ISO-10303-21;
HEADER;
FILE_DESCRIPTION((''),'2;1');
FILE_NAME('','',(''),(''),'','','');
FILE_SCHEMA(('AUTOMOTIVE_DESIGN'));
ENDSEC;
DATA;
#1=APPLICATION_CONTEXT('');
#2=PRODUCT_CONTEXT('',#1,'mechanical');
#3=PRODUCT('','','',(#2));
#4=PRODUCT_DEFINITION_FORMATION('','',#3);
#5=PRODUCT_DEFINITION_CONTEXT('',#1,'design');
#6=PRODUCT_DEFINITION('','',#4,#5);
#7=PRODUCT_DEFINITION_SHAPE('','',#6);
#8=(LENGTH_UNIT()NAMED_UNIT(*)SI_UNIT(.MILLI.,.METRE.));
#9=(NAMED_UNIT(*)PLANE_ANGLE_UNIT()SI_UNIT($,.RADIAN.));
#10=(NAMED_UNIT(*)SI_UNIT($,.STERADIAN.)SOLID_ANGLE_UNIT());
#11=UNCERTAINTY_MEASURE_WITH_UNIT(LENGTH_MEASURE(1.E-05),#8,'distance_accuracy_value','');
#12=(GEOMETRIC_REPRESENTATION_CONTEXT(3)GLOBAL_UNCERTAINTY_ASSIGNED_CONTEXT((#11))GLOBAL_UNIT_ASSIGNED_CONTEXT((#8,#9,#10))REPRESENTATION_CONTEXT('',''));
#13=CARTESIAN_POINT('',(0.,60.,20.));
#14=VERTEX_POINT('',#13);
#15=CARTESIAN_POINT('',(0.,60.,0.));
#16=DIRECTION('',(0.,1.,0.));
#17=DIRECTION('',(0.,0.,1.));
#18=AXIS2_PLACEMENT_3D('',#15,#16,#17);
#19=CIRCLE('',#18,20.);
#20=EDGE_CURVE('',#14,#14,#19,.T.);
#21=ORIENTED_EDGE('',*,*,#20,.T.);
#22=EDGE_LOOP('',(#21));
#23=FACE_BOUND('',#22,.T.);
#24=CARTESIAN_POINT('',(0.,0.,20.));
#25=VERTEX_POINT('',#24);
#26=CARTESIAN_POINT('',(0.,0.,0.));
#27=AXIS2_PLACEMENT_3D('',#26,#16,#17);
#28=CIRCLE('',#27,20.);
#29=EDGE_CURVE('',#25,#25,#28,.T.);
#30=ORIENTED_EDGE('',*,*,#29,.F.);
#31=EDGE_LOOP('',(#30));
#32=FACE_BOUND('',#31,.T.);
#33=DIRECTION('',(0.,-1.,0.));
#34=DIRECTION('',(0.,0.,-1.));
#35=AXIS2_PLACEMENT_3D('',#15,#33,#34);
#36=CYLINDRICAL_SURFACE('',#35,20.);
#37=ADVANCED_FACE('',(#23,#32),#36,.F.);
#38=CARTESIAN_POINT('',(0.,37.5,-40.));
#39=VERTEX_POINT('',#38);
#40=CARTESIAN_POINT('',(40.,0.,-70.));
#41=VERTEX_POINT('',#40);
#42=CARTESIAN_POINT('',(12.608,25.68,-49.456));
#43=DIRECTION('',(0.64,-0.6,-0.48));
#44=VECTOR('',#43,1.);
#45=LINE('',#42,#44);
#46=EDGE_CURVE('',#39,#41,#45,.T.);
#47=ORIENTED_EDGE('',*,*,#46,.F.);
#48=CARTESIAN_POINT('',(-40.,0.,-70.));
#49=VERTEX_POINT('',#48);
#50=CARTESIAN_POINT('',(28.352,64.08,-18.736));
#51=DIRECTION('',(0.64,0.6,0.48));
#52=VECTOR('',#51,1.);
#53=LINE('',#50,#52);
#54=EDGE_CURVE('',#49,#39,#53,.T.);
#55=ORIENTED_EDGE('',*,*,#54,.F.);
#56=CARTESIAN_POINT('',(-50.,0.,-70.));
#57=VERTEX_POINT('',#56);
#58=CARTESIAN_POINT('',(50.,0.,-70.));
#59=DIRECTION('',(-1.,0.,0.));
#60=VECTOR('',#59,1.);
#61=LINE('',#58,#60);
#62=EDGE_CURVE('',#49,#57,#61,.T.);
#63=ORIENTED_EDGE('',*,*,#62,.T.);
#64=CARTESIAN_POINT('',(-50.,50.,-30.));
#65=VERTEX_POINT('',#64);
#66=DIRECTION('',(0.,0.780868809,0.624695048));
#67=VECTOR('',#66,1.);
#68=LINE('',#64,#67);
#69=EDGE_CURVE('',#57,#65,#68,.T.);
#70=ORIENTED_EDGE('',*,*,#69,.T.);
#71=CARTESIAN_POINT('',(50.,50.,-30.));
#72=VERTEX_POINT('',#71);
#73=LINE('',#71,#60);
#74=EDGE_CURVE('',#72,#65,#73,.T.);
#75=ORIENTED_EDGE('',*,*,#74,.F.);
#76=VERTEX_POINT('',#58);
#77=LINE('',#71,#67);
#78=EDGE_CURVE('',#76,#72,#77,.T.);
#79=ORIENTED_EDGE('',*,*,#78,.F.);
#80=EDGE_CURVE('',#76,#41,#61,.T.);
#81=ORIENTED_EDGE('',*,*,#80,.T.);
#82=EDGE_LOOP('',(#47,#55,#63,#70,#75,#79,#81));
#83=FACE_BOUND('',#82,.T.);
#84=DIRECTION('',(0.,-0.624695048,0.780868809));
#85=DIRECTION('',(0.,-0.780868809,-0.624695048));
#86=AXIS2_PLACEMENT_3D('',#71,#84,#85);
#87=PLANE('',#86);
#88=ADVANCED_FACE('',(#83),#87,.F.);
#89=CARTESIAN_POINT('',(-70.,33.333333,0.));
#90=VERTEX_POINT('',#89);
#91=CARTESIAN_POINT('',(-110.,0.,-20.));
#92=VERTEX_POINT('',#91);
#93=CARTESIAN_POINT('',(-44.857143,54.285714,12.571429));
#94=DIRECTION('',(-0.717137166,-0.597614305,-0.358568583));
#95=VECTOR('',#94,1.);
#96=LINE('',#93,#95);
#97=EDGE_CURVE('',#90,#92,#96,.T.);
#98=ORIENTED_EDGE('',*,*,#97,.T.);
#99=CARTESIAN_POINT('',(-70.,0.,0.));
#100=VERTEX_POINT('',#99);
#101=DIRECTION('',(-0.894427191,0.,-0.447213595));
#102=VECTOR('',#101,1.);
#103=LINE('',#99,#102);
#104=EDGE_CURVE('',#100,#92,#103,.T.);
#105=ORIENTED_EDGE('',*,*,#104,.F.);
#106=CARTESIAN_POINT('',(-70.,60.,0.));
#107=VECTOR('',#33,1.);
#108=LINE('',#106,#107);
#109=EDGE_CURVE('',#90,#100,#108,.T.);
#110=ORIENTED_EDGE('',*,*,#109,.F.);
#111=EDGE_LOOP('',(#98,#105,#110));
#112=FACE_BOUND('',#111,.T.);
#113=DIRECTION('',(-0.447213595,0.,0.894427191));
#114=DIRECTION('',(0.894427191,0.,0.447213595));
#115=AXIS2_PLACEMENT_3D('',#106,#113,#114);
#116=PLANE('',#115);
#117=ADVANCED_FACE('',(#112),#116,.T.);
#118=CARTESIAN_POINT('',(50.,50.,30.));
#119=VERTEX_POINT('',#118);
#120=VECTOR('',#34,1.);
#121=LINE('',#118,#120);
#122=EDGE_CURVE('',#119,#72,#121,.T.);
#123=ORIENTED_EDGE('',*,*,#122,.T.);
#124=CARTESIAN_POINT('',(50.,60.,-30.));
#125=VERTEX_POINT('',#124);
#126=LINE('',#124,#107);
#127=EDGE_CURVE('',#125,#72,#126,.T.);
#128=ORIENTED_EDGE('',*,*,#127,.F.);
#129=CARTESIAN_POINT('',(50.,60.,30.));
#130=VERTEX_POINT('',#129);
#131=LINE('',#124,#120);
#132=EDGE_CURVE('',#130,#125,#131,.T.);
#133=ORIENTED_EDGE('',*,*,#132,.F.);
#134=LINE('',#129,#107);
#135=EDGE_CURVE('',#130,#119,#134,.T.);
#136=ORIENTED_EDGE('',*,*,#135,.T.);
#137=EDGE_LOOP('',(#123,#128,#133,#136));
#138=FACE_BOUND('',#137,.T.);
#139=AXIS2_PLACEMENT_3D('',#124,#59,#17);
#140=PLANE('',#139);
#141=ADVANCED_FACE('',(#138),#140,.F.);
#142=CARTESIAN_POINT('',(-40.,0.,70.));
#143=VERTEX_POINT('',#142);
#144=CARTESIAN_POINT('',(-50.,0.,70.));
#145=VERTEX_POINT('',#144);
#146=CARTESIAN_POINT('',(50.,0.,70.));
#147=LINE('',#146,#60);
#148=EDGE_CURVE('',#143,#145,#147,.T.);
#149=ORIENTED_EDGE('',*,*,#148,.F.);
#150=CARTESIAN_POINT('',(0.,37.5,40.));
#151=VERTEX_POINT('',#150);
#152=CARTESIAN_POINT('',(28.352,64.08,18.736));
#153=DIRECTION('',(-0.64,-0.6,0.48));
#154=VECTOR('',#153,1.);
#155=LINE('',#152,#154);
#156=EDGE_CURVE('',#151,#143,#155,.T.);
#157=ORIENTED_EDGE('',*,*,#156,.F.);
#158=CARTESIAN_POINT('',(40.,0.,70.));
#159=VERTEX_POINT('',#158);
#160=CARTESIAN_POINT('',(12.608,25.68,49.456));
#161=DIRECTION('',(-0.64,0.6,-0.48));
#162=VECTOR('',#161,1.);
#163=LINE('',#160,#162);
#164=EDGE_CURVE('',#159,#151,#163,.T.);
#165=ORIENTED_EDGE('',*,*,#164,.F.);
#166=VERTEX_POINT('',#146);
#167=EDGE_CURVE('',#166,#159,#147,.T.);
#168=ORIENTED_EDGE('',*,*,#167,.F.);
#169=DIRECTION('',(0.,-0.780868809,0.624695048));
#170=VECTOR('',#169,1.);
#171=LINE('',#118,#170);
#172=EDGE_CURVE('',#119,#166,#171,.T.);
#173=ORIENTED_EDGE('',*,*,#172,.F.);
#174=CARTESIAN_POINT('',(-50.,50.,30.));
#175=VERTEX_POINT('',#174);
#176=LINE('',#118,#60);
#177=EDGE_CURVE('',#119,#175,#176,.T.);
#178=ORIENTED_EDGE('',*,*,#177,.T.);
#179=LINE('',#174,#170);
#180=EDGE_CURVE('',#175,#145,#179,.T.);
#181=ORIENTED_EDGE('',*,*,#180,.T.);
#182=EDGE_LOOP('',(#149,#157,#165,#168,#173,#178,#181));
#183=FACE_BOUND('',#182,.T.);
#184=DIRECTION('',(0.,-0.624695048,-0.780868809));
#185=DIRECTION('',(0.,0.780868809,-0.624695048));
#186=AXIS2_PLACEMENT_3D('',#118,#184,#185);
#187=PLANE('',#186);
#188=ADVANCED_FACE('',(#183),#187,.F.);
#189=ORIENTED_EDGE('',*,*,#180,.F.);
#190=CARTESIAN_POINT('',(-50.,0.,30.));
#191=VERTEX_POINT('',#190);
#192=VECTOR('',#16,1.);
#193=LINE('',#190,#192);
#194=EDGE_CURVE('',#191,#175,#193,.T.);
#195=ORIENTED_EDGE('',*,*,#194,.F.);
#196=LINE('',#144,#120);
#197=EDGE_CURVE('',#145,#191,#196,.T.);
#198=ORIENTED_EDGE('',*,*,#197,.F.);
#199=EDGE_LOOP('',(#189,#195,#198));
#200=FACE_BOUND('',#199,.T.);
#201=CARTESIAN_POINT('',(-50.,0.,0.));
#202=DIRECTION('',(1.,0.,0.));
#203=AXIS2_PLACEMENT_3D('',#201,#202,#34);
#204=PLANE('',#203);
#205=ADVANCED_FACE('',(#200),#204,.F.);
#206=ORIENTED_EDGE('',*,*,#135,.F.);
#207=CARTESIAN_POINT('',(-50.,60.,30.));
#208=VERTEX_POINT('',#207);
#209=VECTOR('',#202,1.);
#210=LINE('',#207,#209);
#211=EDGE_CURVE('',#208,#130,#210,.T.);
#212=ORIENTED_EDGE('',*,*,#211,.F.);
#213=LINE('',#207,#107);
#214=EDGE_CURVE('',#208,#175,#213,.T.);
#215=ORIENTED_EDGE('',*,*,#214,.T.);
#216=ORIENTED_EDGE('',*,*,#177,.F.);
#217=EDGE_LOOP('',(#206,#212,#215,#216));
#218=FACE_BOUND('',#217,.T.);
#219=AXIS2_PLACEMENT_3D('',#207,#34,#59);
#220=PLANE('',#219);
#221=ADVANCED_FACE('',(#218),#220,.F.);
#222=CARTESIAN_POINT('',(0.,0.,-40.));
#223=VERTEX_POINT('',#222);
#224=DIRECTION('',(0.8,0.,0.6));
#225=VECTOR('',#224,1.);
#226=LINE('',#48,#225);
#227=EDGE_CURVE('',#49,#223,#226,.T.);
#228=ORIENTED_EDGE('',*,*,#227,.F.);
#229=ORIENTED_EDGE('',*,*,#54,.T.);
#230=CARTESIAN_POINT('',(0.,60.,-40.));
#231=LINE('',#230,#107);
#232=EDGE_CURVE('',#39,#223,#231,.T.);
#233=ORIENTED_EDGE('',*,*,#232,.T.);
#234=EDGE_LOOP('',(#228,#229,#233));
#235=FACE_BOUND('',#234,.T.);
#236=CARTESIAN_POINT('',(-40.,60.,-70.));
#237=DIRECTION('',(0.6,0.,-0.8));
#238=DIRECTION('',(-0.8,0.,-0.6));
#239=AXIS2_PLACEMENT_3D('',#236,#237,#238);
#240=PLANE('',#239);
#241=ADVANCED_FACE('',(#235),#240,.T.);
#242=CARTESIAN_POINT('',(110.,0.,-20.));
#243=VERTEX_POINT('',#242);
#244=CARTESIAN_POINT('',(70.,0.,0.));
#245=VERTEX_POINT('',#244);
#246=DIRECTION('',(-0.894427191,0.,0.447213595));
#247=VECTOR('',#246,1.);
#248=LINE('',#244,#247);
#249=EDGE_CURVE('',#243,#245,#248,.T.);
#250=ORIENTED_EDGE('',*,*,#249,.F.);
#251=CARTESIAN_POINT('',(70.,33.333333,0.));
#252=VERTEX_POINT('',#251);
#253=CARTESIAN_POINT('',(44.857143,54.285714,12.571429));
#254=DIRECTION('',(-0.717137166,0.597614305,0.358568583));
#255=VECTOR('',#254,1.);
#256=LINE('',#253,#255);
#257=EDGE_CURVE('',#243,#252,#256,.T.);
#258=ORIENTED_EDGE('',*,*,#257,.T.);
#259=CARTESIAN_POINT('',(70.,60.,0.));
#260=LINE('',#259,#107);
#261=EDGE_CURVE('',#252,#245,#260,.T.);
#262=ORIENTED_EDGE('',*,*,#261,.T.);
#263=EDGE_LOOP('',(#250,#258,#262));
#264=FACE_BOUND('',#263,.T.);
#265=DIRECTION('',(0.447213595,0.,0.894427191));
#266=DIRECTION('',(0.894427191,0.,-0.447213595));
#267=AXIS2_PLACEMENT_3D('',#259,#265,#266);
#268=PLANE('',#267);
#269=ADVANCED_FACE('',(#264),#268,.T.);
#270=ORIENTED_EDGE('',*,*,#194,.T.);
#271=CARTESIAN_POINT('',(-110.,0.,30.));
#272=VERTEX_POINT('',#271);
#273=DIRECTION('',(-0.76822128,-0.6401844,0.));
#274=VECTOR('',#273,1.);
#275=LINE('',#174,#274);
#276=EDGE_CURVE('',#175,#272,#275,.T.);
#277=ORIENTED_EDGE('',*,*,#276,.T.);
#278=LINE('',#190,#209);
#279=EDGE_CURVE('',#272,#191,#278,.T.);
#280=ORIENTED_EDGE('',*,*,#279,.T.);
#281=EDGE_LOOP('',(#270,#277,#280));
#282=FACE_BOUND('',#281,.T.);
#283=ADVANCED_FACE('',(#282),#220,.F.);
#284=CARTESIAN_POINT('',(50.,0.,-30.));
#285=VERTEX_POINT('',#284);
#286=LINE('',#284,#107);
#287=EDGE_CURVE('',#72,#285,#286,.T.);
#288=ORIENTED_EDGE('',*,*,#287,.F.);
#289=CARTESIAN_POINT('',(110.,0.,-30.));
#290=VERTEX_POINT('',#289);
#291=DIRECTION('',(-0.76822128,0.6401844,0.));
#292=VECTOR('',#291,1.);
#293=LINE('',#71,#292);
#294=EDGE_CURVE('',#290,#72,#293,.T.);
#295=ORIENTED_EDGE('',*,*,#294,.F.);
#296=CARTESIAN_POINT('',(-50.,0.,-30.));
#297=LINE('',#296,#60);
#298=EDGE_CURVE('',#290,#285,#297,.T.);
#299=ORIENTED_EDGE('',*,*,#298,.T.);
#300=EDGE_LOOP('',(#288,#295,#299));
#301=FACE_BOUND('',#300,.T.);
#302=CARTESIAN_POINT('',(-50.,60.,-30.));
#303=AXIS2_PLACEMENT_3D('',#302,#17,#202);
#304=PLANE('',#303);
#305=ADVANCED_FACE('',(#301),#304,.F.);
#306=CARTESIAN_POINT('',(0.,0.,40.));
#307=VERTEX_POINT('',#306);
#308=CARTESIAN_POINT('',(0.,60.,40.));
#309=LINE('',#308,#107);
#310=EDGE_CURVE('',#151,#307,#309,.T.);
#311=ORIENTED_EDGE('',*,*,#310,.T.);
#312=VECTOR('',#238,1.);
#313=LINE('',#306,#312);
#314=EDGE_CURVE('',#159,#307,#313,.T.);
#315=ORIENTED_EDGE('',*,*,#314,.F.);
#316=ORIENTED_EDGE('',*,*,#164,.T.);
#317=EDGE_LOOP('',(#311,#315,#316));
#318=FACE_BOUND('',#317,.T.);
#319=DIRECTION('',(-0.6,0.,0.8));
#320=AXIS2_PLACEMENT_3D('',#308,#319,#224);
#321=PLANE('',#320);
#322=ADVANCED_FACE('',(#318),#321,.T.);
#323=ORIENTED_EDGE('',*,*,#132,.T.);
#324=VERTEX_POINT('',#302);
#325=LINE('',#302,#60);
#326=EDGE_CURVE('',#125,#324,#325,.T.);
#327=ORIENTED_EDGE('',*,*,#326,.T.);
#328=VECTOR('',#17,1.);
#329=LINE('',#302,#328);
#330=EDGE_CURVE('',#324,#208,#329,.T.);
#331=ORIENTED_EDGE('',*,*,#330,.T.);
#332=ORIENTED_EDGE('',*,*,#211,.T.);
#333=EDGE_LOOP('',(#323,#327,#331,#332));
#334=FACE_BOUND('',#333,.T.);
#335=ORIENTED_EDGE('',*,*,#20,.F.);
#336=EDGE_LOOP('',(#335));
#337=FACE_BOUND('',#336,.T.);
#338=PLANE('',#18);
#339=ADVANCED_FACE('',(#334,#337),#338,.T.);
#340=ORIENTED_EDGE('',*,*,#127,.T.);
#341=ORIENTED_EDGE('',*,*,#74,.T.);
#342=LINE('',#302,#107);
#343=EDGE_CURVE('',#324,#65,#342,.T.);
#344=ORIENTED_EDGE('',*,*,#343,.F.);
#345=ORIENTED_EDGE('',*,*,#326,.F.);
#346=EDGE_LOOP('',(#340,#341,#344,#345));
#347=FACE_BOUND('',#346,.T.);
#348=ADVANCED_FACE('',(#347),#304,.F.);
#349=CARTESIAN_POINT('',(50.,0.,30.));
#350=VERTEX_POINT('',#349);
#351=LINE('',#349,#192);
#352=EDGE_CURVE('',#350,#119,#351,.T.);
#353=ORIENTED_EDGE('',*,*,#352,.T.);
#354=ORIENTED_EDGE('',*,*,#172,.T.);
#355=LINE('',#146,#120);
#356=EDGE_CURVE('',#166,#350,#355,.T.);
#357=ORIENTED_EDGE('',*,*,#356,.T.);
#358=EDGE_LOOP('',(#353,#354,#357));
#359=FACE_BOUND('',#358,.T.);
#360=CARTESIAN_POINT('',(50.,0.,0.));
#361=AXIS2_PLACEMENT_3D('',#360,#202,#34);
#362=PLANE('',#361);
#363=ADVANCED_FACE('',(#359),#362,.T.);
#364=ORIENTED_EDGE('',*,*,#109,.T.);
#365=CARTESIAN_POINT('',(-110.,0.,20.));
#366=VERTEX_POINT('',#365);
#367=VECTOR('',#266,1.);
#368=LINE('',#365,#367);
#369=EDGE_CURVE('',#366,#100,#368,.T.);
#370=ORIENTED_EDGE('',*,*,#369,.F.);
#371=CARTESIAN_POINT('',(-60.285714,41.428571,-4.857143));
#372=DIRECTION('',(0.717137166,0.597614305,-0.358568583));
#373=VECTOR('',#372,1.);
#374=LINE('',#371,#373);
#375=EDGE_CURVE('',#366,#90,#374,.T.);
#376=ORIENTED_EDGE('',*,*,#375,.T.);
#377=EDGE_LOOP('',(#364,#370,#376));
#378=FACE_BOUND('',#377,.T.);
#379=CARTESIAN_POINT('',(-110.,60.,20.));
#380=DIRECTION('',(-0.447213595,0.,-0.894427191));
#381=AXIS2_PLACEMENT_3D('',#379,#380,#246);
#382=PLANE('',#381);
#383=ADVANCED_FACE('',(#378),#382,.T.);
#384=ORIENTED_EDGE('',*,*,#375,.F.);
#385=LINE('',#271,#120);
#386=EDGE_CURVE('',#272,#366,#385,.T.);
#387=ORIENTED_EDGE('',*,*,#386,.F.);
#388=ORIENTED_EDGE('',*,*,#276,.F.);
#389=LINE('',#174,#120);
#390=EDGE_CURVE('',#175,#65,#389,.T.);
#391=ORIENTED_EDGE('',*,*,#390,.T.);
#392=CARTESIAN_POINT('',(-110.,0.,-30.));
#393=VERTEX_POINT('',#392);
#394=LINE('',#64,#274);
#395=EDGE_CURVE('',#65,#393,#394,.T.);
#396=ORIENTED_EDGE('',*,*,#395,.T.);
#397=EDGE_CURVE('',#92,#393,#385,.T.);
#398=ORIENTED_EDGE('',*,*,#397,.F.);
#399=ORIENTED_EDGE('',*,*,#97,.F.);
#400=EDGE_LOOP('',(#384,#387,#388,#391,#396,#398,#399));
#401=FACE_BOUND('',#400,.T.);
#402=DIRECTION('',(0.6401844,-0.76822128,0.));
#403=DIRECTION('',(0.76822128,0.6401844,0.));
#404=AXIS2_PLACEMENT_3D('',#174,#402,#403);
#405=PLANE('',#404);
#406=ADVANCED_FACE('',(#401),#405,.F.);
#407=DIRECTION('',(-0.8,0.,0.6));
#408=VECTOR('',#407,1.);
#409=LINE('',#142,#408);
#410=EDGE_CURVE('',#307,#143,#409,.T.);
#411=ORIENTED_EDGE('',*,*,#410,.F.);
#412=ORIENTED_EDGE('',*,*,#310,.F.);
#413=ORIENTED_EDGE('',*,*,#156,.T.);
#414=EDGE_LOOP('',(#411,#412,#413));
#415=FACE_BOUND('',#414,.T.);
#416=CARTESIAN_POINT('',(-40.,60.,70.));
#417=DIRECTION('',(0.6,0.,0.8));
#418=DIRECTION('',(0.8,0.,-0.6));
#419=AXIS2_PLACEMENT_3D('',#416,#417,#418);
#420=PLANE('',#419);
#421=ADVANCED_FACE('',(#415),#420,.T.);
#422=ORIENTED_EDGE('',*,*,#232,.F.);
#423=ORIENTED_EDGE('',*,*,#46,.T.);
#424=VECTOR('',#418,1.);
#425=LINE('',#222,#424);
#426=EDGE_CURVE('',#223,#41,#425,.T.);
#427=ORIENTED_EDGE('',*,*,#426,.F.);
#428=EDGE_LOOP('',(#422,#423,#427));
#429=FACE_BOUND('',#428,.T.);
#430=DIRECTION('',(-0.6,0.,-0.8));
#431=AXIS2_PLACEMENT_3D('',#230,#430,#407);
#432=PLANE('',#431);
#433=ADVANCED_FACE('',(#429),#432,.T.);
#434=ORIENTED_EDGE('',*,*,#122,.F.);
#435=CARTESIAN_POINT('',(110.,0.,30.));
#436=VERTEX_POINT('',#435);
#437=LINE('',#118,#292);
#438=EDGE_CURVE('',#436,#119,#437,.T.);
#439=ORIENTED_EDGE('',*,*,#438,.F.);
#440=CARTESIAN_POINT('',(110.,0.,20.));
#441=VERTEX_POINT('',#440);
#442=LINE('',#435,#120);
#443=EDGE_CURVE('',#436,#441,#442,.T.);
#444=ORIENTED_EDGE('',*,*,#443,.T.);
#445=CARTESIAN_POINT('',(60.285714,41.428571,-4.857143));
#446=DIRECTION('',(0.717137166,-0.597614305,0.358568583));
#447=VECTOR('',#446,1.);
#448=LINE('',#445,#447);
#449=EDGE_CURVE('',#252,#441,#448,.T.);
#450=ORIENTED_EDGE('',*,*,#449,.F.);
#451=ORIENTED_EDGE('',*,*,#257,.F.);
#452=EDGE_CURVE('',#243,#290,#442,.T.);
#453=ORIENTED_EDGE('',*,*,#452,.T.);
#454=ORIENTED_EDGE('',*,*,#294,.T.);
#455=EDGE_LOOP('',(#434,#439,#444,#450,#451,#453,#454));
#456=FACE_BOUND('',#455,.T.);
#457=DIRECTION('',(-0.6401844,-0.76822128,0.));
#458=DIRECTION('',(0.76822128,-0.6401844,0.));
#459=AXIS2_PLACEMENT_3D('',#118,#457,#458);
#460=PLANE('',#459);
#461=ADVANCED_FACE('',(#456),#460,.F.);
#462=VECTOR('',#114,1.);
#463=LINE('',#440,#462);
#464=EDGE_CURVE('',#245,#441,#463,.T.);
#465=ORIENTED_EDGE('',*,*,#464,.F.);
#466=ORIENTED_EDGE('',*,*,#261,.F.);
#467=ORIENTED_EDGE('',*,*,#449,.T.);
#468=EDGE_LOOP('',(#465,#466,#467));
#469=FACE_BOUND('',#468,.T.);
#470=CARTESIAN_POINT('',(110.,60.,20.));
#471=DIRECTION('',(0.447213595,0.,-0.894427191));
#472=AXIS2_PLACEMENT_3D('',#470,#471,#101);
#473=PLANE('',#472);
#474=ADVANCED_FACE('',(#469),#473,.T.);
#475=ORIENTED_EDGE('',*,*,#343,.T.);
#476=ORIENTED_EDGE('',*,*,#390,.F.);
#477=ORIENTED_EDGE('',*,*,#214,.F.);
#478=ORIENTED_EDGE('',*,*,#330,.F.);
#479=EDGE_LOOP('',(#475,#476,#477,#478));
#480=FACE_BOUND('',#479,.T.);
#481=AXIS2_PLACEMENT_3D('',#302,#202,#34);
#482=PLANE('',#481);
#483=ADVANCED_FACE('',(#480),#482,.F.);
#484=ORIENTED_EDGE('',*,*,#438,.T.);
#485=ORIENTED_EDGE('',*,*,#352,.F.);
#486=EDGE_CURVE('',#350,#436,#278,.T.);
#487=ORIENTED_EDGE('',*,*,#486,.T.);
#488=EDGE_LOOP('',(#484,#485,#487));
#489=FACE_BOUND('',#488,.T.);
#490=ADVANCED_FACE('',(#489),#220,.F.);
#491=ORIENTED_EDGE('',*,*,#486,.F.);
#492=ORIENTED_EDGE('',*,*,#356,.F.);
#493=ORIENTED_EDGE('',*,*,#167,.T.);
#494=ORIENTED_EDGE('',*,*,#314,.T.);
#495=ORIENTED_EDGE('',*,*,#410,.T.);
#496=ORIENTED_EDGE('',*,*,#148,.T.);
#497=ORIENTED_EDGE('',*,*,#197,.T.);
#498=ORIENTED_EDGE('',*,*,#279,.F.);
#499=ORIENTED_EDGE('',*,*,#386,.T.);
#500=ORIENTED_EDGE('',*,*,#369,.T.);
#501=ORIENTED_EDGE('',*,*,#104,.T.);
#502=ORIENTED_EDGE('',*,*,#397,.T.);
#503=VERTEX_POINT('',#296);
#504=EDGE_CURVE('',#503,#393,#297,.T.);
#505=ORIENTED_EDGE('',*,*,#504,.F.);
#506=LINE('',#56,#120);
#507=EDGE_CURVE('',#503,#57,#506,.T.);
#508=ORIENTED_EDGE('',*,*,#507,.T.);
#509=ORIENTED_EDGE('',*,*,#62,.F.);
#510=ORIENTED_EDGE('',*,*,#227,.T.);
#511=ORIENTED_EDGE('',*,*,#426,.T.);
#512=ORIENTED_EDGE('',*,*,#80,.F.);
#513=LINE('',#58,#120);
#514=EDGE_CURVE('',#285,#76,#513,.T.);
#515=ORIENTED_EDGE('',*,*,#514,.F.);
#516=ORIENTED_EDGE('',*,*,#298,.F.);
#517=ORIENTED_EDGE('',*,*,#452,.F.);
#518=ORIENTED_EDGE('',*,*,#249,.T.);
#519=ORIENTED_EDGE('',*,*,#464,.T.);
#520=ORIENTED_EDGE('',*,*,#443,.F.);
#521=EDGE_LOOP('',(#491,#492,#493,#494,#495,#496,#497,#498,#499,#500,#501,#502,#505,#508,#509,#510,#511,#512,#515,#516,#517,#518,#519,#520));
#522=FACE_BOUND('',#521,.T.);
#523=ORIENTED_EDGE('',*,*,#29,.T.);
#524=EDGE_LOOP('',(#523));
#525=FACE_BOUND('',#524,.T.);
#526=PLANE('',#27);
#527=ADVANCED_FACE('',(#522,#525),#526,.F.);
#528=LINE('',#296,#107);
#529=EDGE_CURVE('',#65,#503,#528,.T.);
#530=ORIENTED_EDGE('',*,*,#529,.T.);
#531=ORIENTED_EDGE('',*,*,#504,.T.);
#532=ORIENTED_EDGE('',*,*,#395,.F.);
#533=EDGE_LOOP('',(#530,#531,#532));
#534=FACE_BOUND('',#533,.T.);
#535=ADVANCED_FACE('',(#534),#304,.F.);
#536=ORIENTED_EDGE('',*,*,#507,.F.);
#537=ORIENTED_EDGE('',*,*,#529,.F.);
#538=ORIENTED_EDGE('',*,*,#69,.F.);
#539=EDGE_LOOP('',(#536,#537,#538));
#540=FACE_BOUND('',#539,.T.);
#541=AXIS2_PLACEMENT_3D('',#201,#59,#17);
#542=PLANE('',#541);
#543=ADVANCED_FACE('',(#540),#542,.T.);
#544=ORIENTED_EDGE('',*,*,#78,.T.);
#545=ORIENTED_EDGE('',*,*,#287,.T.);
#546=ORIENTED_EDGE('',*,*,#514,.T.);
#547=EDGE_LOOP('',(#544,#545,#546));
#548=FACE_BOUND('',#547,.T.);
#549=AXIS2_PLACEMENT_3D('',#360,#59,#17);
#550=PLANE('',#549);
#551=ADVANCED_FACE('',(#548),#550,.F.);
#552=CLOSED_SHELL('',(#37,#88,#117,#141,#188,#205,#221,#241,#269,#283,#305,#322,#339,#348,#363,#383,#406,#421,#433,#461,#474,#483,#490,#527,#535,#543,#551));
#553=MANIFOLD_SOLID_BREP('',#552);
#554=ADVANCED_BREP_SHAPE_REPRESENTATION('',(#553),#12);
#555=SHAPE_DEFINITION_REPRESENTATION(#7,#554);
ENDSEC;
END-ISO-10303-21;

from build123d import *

# Parameters (mm, degrees)
SKETCH1_W           = 100
SKETCH1_H           = 60
SKETCH1_R           = 20
BOSS_EXTRUDE1_DEPTH = 60
BOSS_EXTRUDE2_DEPTH = 30
BOSS_EXTRUDE3_DEPTH = 50
CUT_EXTRUDE1_DEPTH  = 61


with BuildPart() as part:
    # Sketch1 → Boss-Extrude1 (new body)
    with BuildSketch(Plane(origin=(0, 0, 0), x_dir=(1, 0, 0), z_dir=(0, 1, 0))):
        Rectangle(SKETCH1_W, SKETCH1_H)
        Circle(SKETCH1_R, mode=Mode.SUBTRACT)
    extrude(amount=BOSS_EXTRUDE1_DEPTH)

    # Sketch3 → Boss-Extrude2 (add, symmetric)
    with BuildSketch(Plane.XY):
        Polygon((50, 0), (50, 50), (110, 0), align=None)
        Polygon((-110, 0), (-50, 0), (-50, 50), align=None)
    extrude(amount=BOSS_EXTRUDE2_DEPTH, both=True)

    # Sketch4 → Boss-Extrude3 (add, symmetric)
    with BuildSketch(Plane(origin=(0, 0, 0), x_dir=(0, 0, -1), z_dir=(1, 0, 0))):
        Polygon((-30, 0), (-30, 50), (-70, 0), align=None)
        Polygon((30, 0), (30, 50), (70, 0), align=None)
    extrude(amount=BOSS_EXTRUDE3_DEPTH, both=True)

    # Sketch5 → Cut-Extrude1 (cut, through all)
    with BuildSketch(Plane(origin=(0, 0, 0), x_dir=(1, 0, 0), z_dir=(0, 1, 0))):
        Polygon((-40, -70), (0, -40), (40, -70), align=None)
        Polygon((0, 40), (40, 70), (-40, 70), align=None)
        Polygon((110, -20), (70, 0), (110, 20), align=None)
        Polygon((-110, 20), (-110, -20), (-70, 0), align=None)
    extrude(amount=CUT_EXTRUDE1_DEPTH, mode=Mode.SUBTRACT)


solid = part.part
